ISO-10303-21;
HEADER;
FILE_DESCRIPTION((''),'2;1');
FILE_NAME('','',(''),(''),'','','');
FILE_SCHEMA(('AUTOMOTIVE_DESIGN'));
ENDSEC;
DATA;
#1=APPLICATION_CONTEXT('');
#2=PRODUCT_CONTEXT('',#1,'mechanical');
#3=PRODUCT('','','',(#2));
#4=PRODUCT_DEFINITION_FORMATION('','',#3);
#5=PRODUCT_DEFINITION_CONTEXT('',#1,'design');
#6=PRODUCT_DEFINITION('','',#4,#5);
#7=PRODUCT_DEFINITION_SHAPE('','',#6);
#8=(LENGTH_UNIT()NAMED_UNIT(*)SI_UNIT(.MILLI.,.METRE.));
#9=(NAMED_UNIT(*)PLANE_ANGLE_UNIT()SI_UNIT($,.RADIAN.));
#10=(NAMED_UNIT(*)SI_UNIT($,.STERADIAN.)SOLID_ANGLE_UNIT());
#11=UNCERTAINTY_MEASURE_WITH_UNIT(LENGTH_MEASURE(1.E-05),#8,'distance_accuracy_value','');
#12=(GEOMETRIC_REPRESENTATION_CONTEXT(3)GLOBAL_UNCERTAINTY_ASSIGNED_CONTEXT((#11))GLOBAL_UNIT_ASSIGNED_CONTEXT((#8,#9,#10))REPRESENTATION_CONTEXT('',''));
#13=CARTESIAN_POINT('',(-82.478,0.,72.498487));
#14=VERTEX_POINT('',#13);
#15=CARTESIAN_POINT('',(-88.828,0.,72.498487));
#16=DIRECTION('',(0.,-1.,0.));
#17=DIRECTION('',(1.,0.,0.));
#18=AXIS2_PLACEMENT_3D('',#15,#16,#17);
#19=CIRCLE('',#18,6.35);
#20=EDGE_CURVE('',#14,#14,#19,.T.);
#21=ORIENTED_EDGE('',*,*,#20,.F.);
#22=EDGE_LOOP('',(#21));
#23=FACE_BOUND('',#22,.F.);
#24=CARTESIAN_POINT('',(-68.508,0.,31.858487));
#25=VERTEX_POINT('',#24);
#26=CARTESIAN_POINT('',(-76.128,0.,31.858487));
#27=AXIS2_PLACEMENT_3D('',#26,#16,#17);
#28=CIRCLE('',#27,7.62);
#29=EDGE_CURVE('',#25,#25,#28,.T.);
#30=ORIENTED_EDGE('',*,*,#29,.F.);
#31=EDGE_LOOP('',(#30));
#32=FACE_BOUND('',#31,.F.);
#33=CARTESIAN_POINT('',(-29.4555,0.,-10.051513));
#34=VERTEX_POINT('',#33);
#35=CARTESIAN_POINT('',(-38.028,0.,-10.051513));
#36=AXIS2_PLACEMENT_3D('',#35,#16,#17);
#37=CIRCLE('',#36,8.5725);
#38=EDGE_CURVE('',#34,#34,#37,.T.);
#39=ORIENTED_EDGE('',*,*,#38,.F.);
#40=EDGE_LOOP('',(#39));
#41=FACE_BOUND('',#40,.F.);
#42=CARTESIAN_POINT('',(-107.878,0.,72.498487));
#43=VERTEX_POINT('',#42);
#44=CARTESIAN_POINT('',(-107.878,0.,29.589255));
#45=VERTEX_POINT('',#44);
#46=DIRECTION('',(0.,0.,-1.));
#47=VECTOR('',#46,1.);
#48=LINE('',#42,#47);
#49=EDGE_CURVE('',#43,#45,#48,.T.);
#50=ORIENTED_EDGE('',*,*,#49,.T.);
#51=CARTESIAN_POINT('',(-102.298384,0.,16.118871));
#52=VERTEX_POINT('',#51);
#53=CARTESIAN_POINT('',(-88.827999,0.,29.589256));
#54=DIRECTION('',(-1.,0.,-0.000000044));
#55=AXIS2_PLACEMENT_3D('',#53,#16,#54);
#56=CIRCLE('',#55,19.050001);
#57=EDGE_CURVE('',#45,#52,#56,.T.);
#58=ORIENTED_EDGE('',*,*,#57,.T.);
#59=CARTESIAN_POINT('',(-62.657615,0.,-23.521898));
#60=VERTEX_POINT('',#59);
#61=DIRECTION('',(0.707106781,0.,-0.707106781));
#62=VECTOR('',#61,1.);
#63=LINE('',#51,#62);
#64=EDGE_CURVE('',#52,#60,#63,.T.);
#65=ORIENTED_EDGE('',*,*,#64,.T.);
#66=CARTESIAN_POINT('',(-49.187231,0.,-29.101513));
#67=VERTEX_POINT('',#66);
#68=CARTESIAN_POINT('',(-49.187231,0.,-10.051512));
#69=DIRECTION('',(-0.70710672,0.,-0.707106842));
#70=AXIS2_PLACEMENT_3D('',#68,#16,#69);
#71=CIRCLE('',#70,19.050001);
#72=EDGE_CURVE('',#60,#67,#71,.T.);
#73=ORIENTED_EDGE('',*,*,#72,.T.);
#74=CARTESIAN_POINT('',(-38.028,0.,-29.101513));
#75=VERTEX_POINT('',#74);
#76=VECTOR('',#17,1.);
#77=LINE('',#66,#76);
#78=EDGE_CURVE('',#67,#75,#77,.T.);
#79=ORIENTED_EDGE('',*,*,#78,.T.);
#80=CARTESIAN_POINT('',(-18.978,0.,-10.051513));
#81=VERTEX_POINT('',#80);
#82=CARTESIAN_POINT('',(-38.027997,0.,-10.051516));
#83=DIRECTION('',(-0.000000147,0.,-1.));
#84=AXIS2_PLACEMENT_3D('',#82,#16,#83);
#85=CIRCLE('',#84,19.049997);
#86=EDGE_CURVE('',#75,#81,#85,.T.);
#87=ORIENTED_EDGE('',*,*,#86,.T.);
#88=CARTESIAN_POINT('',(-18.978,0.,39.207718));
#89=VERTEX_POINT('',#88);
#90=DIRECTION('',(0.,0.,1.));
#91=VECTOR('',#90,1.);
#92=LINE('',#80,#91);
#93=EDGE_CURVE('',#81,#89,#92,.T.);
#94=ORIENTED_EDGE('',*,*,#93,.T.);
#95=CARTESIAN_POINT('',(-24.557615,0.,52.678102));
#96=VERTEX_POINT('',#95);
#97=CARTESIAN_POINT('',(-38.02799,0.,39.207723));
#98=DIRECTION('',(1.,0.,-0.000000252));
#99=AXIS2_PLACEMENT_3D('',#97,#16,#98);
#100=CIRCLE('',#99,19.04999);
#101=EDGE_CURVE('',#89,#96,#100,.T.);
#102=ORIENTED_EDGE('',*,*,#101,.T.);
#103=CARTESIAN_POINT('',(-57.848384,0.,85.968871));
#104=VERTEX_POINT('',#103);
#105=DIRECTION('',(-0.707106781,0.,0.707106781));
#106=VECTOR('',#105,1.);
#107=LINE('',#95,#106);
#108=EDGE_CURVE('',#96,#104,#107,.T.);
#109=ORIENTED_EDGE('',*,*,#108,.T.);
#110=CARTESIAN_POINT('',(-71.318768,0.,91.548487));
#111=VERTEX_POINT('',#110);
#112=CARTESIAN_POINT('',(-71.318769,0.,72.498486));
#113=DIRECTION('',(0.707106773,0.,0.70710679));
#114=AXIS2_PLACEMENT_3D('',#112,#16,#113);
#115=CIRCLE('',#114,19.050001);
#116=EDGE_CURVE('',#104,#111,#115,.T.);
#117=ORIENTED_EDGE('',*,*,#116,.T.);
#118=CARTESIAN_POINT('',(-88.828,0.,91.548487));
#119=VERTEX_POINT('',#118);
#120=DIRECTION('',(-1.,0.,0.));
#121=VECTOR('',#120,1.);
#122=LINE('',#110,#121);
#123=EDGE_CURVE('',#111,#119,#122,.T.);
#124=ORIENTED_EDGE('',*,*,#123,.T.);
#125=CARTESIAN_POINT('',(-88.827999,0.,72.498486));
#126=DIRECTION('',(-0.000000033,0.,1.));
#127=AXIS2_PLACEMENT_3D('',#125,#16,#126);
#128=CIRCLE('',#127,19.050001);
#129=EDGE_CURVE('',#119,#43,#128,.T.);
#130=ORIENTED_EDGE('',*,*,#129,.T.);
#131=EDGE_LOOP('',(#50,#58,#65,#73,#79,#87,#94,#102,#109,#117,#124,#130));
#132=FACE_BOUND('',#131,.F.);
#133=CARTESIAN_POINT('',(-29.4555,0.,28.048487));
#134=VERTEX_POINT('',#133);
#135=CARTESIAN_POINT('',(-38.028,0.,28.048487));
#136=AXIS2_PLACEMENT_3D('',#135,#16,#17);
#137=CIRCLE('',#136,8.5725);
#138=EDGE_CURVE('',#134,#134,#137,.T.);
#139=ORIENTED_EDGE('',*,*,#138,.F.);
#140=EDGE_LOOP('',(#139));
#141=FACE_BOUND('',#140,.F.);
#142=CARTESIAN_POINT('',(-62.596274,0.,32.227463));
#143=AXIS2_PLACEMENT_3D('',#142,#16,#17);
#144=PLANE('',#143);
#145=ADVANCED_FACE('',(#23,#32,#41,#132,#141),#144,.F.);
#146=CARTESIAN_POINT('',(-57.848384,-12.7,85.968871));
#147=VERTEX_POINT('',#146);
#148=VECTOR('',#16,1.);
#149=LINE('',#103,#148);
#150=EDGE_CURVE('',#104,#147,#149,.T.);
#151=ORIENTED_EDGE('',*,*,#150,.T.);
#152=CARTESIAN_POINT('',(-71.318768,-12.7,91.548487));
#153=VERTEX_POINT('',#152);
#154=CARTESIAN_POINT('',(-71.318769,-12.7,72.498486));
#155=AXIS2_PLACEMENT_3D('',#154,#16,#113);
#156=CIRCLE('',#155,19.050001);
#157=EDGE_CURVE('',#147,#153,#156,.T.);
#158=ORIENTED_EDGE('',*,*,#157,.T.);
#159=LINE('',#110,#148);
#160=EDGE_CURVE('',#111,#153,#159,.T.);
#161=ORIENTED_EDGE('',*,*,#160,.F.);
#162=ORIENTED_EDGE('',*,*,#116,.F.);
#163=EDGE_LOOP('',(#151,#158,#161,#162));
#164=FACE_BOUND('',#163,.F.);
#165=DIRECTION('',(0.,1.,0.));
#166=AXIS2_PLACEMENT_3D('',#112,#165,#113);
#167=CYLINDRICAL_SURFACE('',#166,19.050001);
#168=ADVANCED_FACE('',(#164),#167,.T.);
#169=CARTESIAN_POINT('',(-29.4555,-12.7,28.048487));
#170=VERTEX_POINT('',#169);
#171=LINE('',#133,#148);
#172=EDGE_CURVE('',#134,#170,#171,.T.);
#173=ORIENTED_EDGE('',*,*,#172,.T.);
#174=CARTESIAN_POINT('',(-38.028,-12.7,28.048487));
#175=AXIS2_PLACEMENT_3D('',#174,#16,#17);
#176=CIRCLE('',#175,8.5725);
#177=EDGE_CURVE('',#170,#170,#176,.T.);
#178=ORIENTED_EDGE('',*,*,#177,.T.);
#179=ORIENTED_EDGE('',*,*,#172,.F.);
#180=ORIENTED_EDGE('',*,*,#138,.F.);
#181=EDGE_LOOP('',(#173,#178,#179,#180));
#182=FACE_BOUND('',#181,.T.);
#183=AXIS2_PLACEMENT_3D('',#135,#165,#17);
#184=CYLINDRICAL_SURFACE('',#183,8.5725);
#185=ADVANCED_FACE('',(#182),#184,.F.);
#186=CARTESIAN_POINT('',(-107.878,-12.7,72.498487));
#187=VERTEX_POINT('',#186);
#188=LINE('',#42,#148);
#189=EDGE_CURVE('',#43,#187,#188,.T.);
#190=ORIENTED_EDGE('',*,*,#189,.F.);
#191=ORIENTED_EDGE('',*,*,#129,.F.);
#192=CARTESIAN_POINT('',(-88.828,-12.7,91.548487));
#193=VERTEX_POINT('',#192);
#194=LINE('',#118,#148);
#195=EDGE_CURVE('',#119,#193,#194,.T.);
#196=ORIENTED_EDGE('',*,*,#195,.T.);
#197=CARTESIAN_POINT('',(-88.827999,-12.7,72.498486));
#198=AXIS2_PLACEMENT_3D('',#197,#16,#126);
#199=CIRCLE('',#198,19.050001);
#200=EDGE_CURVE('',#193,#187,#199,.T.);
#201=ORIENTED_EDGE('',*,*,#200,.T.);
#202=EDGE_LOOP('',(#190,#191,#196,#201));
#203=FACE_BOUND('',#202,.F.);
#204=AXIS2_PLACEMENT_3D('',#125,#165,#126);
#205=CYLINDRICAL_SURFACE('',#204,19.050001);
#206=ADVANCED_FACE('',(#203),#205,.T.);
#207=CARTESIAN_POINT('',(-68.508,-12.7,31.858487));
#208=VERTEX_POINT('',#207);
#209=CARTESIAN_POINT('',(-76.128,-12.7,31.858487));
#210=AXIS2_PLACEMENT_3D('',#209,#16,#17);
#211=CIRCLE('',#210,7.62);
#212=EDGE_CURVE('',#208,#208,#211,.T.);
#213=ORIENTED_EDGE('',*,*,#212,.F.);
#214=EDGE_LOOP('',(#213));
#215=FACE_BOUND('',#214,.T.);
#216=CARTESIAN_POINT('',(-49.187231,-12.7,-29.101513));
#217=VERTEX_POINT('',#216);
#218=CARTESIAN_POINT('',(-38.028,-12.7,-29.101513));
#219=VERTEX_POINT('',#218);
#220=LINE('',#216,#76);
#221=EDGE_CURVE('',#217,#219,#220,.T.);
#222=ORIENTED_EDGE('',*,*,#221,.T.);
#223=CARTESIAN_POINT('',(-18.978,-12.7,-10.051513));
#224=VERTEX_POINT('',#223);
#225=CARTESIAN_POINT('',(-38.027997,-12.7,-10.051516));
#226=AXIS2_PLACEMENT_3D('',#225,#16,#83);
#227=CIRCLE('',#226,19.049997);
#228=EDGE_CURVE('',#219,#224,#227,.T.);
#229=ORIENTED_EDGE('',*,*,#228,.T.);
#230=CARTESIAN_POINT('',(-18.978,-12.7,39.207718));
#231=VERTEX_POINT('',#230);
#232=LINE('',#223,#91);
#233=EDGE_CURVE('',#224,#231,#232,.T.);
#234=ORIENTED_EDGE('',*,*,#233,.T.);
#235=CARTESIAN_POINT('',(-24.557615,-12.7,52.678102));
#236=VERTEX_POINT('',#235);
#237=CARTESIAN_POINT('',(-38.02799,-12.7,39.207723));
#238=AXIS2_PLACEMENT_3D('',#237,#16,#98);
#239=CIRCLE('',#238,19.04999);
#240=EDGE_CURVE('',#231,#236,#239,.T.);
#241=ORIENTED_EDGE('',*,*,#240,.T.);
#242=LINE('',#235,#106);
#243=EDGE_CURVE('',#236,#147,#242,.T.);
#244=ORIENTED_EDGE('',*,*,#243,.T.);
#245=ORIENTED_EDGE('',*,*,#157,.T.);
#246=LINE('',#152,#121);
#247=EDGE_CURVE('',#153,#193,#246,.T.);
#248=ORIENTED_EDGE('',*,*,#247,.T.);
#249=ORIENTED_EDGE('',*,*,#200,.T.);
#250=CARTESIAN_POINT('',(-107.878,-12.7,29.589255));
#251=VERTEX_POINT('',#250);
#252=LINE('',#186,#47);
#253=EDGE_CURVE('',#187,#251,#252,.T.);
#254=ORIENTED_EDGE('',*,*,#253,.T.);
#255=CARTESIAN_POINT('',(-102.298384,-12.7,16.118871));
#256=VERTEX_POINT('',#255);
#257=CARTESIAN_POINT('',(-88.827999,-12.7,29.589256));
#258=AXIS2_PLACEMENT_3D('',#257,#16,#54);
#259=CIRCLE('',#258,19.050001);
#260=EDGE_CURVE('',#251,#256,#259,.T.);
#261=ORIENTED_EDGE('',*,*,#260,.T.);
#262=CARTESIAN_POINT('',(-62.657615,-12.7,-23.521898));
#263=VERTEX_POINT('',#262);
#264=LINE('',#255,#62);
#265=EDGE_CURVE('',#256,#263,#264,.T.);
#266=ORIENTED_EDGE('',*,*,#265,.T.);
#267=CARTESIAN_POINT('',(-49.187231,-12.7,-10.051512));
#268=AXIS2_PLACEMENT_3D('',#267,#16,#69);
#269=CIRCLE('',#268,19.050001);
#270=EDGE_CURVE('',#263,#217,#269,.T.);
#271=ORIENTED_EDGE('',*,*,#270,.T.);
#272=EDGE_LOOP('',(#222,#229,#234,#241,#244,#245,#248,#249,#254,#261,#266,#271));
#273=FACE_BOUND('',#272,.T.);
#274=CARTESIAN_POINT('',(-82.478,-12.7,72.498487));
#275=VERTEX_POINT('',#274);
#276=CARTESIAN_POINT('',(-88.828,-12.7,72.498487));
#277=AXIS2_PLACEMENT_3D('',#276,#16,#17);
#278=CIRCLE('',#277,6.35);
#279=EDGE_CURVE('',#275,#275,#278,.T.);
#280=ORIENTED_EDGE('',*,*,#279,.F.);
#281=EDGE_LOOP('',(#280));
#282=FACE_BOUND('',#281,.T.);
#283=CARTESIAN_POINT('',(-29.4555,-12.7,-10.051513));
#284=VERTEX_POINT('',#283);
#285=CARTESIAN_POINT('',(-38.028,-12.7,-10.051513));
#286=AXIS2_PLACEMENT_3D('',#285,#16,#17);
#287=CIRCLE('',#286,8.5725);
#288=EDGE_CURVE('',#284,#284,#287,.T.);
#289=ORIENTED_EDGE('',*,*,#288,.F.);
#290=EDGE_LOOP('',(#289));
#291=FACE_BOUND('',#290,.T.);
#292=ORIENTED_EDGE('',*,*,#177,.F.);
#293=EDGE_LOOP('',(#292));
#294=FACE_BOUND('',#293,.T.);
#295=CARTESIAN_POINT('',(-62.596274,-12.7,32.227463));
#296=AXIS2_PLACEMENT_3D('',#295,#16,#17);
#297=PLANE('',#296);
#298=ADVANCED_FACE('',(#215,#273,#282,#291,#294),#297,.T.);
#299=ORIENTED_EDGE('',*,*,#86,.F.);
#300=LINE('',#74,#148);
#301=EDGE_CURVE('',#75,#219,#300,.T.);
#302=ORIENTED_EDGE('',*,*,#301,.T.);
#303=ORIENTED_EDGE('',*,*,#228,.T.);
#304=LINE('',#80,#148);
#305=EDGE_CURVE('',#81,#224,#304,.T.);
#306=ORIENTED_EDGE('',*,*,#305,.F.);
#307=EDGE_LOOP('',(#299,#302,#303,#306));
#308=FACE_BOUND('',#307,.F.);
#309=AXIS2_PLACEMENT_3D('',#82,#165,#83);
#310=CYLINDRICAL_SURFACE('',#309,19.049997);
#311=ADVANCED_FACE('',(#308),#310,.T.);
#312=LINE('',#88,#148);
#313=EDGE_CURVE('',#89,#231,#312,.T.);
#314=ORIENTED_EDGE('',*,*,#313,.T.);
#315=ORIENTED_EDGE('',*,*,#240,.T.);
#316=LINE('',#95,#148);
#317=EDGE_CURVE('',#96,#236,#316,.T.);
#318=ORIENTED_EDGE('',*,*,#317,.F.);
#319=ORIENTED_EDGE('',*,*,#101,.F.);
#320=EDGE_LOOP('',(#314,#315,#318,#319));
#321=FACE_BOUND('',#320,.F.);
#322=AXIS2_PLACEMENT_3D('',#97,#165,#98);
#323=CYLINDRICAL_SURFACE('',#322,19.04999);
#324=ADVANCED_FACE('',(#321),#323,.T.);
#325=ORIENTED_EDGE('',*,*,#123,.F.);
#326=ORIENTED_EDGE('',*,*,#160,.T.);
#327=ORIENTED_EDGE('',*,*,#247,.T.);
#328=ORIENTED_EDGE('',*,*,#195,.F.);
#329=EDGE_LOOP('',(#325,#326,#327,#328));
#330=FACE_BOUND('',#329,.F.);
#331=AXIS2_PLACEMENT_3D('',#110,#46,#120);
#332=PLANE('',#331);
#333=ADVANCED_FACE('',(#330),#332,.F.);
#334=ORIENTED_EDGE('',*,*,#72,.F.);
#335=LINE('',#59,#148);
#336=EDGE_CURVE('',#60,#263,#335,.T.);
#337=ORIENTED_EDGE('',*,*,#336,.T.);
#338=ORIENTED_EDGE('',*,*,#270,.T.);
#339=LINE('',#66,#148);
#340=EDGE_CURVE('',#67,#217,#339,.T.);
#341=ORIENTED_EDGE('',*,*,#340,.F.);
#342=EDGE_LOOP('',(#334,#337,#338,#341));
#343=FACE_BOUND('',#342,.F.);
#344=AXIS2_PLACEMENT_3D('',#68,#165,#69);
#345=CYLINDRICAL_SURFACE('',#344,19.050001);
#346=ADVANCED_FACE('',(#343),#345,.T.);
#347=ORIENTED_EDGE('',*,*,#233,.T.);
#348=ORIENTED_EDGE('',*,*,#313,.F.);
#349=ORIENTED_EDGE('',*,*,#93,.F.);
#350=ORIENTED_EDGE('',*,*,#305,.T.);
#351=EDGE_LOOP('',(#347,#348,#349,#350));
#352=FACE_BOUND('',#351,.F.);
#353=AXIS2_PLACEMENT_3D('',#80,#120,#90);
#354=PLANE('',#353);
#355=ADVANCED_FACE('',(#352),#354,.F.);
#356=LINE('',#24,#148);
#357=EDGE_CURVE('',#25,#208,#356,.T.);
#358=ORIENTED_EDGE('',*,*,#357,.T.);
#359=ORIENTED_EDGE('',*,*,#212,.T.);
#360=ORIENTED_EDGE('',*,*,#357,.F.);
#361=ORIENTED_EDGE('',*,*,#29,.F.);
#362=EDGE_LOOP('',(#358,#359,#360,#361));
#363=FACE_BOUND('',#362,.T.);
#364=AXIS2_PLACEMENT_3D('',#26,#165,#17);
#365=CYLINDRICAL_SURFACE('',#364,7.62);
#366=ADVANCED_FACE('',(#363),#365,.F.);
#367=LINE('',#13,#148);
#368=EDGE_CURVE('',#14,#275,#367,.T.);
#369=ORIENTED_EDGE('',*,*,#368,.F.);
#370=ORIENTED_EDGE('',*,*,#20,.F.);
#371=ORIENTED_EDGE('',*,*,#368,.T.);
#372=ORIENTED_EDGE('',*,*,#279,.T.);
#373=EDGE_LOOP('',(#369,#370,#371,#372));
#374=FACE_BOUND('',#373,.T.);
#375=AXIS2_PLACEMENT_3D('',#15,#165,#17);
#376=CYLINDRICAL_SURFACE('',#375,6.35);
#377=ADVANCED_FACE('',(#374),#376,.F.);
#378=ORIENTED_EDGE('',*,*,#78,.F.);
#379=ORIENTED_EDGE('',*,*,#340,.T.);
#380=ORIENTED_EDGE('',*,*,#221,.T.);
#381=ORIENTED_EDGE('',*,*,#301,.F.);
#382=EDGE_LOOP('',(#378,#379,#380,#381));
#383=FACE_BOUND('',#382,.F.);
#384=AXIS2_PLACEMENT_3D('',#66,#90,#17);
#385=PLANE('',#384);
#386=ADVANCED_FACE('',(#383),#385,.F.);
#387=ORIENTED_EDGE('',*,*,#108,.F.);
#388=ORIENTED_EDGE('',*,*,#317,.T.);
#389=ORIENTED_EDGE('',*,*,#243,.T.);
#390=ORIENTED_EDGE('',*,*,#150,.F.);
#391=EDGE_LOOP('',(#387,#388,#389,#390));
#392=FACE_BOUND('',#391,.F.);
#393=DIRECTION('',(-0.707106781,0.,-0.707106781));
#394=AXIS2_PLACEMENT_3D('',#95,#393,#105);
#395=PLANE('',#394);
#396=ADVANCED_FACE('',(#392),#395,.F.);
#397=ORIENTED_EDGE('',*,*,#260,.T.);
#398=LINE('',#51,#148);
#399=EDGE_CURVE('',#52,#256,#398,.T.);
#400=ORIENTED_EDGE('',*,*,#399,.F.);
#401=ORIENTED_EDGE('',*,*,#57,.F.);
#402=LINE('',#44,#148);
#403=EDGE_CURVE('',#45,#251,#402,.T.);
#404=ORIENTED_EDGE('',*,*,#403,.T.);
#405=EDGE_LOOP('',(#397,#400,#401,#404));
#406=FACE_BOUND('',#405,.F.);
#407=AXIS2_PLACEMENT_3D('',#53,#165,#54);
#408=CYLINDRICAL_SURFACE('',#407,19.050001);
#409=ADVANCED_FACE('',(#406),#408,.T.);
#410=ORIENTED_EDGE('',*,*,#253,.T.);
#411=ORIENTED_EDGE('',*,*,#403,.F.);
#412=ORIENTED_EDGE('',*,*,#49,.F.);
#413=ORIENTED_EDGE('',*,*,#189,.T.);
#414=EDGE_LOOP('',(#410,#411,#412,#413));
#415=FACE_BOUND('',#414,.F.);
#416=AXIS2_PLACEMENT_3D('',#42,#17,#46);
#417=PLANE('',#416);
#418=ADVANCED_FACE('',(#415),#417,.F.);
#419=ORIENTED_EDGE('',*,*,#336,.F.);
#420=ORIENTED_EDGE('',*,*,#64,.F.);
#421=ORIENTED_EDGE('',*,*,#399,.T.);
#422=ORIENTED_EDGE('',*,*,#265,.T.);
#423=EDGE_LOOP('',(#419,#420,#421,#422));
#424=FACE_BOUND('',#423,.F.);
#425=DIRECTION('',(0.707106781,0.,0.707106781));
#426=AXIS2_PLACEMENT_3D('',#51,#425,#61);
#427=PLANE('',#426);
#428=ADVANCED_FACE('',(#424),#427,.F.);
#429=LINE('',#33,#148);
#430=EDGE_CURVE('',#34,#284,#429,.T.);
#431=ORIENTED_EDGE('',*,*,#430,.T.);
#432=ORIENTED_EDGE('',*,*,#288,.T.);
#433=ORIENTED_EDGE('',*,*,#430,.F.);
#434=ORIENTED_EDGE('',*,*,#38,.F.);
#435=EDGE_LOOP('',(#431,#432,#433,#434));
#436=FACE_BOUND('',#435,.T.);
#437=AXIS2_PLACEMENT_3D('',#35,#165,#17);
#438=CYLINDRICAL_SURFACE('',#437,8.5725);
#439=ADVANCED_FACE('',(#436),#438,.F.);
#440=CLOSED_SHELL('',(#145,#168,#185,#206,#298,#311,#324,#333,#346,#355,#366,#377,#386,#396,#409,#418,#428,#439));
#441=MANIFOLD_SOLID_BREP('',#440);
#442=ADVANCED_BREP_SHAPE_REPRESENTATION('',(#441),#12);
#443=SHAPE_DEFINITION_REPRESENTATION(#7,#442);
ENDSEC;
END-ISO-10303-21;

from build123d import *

# Parameters (mm, degrees)
F0_R     = 8.5725
F0_R_2   = 7.62
F0_R_3   = 6.35
F1_DEPTH = 12.7


with BuildPart() as f1:
    # F0 (on Front) → F1 (new body)
    with BuildSketch(Plane.XZ):
        with BuildLine():
            Line((-49.187231, -29.101513), (-38.028, -29.101513))
            ThreePointArc((-38.028, -29.101513), (-24.557615, -23.521898), (-18.978, -10.051513))
            Line((-18.978, -10.051513), (-18.978, 39.207718))
            ThreePointArc((-18.978, 39.207718), (-20.428094, 46.497838), (-24.557615, 52.678102))
            Line((-24.557615, 52.678102), (-57.848384, 85.968871))
            ThreePointArc((-57.848384, 85.968871), (-64.028649, 90.098392), (-71.318768, 91.548487))
            Line((-71.318768, 91.548487), (-88.828, 91.548487))
            ThreePointArc((-88.828, 91.548487), (-102.298384, 85.968871), (-107.878, 72.498487))
            Line((-107.878, 72.498487), (-107.878, 47.098487))
            Line((-107.878, 47.098487), (-107.878, 29.589255))
            ThreePointArc((-107.878, 29.589255), (-106.427905, 22.299136), (-102.298384, 16.118871))
            Line((-102.298384, 16.118871), (-62.657615, -23.521898))
            ThreePointArc((-62.657615, -23.521898), (-56.477351, -27.651418), (-49.187231, -29.101513))
        make_face()
        with Locations((-38.028, -10.051513)):
            Circle(F0_R, mode=Mode.SUBTRACT)
        with Locations((-38.028, 28.048487)):
            Circle(F0_R, mode=Mode.SUBTRACT)
        with Locations((-76.128, 31.858487)):
            Circle(F0_R_2, mode=Mode.SUBTRACT)
        with Locations((-88.828, 72.498487)):
            Circle(F0_R_3, mode=Mode.SUBTRACT)
    extrude(amount=F1_DEPTH)


solid = f1.part
